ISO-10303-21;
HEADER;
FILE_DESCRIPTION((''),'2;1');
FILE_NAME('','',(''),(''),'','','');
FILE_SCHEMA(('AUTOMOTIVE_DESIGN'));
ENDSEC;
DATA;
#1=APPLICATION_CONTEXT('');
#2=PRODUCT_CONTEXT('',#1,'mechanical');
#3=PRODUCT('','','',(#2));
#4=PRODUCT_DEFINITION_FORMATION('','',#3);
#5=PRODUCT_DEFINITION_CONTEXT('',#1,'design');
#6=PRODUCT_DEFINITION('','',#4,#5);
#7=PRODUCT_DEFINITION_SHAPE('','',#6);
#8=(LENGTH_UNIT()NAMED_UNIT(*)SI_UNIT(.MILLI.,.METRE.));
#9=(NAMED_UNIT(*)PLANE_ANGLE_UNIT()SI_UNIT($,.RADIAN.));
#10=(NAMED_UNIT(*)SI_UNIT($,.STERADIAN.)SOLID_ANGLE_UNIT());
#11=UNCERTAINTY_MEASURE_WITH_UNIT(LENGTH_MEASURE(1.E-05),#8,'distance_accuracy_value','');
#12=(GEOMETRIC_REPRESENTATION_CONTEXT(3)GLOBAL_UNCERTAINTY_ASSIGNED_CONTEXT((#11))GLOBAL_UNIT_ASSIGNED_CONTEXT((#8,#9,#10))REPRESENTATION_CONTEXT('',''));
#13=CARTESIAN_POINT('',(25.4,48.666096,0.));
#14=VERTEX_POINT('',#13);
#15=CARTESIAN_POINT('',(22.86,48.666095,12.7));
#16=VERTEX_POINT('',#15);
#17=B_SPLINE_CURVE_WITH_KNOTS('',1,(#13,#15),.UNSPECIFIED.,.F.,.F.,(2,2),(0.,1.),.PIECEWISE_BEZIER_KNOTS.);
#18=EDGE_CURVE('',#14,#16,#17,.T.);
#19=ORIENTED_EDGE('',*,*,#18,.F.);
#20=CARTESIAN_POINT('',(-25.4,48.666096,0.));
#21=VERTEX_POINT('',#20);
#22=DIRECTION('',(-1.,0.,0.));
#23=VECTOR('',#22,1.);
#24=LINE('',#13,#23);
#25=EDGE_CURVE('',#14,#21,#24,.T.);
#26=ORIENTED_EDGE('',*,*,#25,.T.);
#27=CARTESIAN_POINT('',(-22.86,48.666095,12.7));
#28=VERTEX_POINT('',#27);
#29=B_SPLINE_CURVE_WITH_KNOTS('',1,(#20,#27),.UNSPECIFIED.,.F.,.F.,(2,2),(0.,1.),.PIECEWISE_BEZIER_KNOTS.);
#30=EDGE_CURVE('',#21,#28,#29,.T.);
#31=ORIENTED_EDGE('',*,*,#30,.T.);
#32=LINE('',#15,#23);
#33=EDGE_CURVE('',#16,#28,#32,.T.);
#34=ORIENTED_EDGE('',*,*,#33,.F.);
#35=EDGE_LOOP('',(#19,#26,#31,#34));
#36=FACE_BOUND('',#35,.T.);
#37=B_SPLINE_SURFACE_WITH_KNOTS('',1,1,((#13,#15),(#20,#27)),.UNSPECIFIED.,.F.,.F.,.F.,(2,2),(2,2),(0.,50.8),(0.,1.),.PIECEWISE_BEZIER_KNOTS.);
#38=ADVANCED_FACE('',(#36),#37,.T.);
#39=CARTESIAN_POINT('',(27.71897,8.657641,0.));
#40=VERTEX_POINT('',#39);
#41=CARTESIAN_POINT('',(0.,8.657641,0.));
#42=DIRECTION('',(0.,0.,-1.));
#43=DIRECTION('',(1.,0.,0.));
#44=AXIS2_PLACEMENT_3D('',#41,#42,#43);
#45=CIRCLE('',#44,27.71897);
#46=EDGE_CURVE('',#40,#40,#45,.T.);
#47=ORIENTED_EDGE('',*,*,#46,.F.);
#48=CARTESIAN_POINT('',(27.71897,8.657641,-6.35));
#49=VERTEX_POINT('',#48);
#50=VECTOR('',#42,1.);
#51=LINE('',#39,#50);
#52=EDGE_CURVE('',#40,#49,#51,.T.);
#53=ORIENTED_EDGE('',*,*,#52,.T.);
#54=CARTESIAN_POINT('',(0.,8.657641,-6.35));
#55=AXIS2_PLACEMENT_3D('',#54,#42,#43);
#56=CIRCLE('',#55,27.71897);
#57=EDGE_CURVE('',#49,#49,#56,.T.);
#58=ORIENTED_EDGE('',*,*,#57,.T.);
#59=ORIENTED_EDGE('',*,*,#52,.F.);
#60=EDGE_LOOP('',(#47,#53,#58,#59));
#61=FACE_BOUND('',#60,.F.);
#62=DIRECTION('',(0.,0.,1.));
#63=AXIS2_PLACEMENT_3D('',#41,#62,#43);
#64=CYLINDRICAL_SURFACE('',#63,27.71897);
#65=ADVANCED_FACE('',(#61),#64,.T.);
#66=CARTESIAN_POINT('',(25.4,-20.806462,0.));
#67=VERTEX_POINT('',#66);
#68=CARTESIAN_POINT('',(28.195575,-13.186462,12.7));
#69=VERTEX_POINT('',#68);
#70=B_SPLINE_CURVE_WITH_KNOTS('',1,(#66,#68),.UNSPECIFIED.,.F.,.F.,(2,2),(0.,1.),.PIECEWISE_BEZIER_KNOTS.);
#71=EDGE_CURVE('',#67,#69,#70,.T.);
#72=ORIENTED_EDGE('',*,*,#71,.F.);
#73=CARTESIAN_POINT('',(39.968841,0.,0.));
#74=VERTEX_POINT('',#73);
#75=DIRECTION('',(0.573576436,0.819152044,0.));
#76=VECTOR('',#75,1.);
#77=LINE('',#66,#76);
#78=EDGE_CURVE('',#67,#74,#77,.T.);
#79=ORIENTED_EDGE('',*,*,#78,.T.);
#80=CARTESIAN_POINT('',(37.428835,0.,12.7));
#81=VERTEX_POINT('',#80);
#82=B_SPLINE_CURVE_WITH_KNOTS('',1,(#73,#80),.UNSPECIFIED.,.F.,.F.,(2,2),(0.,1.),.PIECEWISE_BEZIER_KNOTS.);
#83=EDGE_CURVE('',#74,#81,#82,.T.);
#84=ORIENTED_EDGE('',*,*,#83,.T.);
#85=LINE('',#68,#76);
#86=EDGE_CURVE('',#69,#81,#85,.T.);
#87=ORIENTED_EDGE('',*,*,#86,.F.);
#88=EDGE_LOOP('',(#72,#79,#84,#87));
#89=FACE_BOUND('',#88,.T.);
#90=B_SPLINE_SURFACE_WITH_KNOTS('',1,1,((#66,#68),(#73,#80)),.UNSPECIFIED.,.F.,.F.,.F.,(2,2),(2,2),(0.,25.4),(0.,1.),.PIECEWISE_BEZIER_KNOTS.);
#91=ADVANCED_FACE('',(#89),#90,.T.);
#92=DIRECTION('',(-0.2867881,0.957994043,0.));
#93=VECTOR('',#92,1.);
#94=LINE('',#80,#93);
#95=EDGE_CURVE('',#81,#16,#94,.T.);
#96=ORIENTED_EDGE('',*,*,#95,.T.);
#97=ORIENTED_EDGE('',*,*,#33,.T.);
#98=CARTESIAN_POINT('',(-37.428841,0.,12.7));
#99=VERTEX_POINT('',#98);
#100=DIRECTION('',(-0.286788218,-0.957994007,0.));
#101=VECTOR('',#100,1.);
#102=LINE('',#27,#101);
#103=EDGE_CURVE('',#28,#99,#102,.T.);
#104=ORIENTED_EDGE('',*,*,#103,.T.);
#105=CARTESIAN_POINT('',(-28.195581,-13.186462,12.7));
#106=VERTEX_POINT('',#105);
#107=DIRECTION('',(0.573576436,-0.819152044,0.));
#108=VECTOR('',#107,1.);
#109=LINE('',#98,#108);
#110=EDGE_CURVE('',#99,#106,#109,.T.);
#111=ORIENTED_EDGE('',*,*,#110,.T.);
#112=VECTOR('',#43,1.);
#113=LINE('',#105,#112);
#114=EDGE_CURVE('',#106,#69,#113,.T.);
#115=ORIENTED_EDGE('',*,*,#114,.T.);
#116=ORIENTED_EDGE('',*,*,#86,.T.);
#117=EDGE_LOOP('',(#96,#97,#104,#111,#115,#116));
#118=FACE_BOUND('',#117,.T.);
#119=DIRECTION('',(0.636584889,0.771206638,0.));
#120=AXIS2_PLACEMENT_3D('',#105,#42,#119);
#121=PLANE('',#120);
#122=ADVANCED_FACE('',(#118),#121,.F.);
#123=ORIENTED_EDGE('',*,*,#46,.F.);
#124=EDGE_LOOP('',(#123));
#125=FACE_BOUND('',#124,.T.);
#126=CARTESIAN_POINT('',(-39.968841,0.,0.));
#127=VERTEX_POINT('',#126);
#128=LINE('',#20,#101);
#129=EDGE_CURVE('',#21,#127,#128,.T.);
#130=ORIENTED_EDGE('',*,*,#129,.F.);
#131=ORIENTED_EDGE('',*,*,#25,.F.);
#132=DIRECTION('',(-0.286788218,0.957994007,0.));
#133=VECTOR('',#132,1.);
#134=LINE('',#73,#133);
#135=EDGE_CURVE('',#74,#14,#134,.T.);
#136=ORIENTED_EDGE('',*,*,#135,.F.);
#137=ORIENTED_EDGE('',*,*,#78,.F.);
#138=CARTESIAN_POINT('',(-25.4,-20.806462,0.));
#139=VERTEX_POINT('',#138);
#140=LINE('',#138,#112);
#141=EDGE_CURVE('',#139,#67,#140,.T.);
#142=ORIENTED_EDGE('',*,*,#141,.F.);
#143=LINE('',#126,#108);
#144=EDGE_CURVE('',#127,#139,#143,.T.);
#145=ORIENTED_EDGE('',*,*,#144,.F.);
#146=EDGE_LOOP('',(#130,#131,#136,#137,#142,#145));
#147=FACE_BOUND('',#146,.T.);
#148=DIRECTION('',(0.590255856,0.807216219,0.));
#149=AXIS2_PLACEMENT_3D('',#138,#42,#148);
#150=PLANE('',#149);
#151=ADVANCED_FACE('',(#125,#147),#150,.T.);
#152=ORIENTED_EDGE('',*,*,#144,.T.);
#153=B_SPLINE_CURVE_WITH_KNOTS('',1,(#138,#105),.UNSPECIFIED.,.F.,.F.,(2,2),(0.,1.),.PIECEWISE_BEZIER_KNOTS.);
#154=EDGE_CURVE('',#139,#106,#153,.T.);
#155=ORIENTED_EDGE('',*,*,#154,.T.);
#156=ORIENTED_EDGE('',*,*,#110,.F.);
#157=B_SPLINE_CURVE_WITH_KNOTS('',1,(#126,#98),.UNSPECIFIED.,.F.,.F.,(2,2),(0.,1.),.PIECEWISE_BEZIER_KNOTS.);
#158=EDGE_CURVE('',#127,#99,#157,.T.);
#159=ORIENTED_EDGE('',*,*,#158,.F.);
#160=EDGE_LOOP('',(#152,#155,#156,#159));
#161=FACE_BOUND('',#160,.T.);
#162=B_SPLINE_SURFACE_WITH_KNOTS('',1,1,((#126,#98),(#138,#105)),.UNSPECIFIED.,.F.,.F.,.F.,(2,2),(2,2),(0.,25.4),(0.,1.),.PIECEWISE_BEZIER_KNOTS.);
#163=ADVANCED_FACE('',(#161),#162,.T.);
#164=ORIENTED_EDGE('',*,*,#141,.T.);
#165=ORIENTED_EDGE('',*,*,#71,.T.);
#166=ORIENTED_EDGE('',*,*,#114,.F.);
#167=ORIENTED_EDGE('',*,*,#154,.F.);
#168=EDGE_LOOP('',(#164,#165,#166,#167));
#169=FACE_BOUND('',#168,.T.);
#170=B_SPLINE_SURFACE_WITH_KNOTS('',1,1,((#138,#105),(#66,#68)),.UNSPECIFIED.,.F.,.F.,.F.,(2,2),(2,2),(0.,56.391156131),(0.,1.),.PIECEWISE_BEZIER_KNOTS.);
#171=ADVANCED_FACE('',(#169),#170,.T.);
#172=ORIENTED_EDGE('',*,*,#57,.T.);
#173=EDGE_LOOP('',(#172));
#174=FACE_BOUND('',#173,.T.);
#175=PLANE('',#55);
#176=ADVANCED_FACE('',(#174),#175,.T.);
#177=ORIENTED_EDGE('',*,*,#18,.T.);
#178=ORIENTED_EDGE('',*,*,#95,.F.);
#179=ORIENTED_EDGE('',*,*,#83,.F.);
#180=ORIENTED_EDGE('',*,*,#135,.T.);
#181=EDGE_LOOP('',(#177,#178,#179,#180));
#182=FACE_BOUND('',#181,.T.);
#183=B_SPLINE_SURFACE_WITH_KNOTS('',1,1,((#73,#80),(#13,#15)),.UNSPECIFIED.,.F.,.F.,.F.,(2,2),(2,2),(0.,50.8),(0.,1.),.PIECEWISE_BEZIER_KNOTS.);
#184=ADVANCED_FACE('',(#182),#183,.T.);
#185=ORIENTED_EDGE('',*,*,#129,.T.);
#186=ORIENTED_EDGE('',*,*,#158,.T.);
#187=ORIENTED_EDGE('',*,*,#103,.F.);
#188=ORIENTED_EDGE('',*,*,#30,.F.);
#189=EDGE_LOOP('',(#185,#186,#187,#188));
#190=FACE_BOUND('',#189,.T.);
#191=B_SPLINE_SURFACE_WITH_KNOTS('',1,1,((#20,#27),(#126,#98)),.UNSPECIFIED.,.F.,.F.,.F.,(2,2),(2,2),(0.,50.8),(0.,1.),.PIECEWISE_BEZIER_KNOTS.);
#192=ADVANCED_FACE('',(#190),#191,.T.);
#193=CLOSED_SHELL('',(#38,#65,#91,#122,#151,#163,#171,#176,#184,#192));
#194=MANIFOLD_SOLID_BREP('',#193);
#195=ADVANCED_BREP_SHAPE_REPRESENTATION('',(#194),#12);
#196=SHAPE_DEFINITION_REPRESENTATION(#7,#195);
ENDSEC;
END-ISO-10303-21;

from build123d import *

# Parameters (mm, degrees)
F4_R     = 27.7189698501
F5_DEPTH = 6.35


with BuildPart() as f3:
    # F0 (on Top) → F3 section 0
    with BuildSketch(Plane.XY):
        Polygon((-25.4, -20.8064619249), (0, -20.8064619249), (25.4, -20.8064619249), (39.9688414833, 0), (25.4, 48.666095568), (0, 48.666095568), (-25.4, 48.666095568), (-39.9688414833, 0), align=None)
    # F2 (on offset) → F3 section 1
    with BuildSketch(Plane.XY.offset(12.7)):
        Polygon((22.86, 48.6660952), (0, 48.6660952), (-22.86, 48.6660952), (-37.4288413732, 0), (-28.195581331, -13.1864619249), (0, -13.1864619249), (28.1955748, -13.1864619249), (37.4288348422, 0), align=None)
    loft()

    # F4 (on face) → F5 (join)
    with BuildSketch(Plane(origin=(0, 0, 0), x_dir=(1, 0, 0), z_dir=(0, 0, -1))):
        with Locations((0, -8.6576407775)):
            Circle(F4_R)
    extrude(amount=F5_DEPTH)


solid = f3.part
